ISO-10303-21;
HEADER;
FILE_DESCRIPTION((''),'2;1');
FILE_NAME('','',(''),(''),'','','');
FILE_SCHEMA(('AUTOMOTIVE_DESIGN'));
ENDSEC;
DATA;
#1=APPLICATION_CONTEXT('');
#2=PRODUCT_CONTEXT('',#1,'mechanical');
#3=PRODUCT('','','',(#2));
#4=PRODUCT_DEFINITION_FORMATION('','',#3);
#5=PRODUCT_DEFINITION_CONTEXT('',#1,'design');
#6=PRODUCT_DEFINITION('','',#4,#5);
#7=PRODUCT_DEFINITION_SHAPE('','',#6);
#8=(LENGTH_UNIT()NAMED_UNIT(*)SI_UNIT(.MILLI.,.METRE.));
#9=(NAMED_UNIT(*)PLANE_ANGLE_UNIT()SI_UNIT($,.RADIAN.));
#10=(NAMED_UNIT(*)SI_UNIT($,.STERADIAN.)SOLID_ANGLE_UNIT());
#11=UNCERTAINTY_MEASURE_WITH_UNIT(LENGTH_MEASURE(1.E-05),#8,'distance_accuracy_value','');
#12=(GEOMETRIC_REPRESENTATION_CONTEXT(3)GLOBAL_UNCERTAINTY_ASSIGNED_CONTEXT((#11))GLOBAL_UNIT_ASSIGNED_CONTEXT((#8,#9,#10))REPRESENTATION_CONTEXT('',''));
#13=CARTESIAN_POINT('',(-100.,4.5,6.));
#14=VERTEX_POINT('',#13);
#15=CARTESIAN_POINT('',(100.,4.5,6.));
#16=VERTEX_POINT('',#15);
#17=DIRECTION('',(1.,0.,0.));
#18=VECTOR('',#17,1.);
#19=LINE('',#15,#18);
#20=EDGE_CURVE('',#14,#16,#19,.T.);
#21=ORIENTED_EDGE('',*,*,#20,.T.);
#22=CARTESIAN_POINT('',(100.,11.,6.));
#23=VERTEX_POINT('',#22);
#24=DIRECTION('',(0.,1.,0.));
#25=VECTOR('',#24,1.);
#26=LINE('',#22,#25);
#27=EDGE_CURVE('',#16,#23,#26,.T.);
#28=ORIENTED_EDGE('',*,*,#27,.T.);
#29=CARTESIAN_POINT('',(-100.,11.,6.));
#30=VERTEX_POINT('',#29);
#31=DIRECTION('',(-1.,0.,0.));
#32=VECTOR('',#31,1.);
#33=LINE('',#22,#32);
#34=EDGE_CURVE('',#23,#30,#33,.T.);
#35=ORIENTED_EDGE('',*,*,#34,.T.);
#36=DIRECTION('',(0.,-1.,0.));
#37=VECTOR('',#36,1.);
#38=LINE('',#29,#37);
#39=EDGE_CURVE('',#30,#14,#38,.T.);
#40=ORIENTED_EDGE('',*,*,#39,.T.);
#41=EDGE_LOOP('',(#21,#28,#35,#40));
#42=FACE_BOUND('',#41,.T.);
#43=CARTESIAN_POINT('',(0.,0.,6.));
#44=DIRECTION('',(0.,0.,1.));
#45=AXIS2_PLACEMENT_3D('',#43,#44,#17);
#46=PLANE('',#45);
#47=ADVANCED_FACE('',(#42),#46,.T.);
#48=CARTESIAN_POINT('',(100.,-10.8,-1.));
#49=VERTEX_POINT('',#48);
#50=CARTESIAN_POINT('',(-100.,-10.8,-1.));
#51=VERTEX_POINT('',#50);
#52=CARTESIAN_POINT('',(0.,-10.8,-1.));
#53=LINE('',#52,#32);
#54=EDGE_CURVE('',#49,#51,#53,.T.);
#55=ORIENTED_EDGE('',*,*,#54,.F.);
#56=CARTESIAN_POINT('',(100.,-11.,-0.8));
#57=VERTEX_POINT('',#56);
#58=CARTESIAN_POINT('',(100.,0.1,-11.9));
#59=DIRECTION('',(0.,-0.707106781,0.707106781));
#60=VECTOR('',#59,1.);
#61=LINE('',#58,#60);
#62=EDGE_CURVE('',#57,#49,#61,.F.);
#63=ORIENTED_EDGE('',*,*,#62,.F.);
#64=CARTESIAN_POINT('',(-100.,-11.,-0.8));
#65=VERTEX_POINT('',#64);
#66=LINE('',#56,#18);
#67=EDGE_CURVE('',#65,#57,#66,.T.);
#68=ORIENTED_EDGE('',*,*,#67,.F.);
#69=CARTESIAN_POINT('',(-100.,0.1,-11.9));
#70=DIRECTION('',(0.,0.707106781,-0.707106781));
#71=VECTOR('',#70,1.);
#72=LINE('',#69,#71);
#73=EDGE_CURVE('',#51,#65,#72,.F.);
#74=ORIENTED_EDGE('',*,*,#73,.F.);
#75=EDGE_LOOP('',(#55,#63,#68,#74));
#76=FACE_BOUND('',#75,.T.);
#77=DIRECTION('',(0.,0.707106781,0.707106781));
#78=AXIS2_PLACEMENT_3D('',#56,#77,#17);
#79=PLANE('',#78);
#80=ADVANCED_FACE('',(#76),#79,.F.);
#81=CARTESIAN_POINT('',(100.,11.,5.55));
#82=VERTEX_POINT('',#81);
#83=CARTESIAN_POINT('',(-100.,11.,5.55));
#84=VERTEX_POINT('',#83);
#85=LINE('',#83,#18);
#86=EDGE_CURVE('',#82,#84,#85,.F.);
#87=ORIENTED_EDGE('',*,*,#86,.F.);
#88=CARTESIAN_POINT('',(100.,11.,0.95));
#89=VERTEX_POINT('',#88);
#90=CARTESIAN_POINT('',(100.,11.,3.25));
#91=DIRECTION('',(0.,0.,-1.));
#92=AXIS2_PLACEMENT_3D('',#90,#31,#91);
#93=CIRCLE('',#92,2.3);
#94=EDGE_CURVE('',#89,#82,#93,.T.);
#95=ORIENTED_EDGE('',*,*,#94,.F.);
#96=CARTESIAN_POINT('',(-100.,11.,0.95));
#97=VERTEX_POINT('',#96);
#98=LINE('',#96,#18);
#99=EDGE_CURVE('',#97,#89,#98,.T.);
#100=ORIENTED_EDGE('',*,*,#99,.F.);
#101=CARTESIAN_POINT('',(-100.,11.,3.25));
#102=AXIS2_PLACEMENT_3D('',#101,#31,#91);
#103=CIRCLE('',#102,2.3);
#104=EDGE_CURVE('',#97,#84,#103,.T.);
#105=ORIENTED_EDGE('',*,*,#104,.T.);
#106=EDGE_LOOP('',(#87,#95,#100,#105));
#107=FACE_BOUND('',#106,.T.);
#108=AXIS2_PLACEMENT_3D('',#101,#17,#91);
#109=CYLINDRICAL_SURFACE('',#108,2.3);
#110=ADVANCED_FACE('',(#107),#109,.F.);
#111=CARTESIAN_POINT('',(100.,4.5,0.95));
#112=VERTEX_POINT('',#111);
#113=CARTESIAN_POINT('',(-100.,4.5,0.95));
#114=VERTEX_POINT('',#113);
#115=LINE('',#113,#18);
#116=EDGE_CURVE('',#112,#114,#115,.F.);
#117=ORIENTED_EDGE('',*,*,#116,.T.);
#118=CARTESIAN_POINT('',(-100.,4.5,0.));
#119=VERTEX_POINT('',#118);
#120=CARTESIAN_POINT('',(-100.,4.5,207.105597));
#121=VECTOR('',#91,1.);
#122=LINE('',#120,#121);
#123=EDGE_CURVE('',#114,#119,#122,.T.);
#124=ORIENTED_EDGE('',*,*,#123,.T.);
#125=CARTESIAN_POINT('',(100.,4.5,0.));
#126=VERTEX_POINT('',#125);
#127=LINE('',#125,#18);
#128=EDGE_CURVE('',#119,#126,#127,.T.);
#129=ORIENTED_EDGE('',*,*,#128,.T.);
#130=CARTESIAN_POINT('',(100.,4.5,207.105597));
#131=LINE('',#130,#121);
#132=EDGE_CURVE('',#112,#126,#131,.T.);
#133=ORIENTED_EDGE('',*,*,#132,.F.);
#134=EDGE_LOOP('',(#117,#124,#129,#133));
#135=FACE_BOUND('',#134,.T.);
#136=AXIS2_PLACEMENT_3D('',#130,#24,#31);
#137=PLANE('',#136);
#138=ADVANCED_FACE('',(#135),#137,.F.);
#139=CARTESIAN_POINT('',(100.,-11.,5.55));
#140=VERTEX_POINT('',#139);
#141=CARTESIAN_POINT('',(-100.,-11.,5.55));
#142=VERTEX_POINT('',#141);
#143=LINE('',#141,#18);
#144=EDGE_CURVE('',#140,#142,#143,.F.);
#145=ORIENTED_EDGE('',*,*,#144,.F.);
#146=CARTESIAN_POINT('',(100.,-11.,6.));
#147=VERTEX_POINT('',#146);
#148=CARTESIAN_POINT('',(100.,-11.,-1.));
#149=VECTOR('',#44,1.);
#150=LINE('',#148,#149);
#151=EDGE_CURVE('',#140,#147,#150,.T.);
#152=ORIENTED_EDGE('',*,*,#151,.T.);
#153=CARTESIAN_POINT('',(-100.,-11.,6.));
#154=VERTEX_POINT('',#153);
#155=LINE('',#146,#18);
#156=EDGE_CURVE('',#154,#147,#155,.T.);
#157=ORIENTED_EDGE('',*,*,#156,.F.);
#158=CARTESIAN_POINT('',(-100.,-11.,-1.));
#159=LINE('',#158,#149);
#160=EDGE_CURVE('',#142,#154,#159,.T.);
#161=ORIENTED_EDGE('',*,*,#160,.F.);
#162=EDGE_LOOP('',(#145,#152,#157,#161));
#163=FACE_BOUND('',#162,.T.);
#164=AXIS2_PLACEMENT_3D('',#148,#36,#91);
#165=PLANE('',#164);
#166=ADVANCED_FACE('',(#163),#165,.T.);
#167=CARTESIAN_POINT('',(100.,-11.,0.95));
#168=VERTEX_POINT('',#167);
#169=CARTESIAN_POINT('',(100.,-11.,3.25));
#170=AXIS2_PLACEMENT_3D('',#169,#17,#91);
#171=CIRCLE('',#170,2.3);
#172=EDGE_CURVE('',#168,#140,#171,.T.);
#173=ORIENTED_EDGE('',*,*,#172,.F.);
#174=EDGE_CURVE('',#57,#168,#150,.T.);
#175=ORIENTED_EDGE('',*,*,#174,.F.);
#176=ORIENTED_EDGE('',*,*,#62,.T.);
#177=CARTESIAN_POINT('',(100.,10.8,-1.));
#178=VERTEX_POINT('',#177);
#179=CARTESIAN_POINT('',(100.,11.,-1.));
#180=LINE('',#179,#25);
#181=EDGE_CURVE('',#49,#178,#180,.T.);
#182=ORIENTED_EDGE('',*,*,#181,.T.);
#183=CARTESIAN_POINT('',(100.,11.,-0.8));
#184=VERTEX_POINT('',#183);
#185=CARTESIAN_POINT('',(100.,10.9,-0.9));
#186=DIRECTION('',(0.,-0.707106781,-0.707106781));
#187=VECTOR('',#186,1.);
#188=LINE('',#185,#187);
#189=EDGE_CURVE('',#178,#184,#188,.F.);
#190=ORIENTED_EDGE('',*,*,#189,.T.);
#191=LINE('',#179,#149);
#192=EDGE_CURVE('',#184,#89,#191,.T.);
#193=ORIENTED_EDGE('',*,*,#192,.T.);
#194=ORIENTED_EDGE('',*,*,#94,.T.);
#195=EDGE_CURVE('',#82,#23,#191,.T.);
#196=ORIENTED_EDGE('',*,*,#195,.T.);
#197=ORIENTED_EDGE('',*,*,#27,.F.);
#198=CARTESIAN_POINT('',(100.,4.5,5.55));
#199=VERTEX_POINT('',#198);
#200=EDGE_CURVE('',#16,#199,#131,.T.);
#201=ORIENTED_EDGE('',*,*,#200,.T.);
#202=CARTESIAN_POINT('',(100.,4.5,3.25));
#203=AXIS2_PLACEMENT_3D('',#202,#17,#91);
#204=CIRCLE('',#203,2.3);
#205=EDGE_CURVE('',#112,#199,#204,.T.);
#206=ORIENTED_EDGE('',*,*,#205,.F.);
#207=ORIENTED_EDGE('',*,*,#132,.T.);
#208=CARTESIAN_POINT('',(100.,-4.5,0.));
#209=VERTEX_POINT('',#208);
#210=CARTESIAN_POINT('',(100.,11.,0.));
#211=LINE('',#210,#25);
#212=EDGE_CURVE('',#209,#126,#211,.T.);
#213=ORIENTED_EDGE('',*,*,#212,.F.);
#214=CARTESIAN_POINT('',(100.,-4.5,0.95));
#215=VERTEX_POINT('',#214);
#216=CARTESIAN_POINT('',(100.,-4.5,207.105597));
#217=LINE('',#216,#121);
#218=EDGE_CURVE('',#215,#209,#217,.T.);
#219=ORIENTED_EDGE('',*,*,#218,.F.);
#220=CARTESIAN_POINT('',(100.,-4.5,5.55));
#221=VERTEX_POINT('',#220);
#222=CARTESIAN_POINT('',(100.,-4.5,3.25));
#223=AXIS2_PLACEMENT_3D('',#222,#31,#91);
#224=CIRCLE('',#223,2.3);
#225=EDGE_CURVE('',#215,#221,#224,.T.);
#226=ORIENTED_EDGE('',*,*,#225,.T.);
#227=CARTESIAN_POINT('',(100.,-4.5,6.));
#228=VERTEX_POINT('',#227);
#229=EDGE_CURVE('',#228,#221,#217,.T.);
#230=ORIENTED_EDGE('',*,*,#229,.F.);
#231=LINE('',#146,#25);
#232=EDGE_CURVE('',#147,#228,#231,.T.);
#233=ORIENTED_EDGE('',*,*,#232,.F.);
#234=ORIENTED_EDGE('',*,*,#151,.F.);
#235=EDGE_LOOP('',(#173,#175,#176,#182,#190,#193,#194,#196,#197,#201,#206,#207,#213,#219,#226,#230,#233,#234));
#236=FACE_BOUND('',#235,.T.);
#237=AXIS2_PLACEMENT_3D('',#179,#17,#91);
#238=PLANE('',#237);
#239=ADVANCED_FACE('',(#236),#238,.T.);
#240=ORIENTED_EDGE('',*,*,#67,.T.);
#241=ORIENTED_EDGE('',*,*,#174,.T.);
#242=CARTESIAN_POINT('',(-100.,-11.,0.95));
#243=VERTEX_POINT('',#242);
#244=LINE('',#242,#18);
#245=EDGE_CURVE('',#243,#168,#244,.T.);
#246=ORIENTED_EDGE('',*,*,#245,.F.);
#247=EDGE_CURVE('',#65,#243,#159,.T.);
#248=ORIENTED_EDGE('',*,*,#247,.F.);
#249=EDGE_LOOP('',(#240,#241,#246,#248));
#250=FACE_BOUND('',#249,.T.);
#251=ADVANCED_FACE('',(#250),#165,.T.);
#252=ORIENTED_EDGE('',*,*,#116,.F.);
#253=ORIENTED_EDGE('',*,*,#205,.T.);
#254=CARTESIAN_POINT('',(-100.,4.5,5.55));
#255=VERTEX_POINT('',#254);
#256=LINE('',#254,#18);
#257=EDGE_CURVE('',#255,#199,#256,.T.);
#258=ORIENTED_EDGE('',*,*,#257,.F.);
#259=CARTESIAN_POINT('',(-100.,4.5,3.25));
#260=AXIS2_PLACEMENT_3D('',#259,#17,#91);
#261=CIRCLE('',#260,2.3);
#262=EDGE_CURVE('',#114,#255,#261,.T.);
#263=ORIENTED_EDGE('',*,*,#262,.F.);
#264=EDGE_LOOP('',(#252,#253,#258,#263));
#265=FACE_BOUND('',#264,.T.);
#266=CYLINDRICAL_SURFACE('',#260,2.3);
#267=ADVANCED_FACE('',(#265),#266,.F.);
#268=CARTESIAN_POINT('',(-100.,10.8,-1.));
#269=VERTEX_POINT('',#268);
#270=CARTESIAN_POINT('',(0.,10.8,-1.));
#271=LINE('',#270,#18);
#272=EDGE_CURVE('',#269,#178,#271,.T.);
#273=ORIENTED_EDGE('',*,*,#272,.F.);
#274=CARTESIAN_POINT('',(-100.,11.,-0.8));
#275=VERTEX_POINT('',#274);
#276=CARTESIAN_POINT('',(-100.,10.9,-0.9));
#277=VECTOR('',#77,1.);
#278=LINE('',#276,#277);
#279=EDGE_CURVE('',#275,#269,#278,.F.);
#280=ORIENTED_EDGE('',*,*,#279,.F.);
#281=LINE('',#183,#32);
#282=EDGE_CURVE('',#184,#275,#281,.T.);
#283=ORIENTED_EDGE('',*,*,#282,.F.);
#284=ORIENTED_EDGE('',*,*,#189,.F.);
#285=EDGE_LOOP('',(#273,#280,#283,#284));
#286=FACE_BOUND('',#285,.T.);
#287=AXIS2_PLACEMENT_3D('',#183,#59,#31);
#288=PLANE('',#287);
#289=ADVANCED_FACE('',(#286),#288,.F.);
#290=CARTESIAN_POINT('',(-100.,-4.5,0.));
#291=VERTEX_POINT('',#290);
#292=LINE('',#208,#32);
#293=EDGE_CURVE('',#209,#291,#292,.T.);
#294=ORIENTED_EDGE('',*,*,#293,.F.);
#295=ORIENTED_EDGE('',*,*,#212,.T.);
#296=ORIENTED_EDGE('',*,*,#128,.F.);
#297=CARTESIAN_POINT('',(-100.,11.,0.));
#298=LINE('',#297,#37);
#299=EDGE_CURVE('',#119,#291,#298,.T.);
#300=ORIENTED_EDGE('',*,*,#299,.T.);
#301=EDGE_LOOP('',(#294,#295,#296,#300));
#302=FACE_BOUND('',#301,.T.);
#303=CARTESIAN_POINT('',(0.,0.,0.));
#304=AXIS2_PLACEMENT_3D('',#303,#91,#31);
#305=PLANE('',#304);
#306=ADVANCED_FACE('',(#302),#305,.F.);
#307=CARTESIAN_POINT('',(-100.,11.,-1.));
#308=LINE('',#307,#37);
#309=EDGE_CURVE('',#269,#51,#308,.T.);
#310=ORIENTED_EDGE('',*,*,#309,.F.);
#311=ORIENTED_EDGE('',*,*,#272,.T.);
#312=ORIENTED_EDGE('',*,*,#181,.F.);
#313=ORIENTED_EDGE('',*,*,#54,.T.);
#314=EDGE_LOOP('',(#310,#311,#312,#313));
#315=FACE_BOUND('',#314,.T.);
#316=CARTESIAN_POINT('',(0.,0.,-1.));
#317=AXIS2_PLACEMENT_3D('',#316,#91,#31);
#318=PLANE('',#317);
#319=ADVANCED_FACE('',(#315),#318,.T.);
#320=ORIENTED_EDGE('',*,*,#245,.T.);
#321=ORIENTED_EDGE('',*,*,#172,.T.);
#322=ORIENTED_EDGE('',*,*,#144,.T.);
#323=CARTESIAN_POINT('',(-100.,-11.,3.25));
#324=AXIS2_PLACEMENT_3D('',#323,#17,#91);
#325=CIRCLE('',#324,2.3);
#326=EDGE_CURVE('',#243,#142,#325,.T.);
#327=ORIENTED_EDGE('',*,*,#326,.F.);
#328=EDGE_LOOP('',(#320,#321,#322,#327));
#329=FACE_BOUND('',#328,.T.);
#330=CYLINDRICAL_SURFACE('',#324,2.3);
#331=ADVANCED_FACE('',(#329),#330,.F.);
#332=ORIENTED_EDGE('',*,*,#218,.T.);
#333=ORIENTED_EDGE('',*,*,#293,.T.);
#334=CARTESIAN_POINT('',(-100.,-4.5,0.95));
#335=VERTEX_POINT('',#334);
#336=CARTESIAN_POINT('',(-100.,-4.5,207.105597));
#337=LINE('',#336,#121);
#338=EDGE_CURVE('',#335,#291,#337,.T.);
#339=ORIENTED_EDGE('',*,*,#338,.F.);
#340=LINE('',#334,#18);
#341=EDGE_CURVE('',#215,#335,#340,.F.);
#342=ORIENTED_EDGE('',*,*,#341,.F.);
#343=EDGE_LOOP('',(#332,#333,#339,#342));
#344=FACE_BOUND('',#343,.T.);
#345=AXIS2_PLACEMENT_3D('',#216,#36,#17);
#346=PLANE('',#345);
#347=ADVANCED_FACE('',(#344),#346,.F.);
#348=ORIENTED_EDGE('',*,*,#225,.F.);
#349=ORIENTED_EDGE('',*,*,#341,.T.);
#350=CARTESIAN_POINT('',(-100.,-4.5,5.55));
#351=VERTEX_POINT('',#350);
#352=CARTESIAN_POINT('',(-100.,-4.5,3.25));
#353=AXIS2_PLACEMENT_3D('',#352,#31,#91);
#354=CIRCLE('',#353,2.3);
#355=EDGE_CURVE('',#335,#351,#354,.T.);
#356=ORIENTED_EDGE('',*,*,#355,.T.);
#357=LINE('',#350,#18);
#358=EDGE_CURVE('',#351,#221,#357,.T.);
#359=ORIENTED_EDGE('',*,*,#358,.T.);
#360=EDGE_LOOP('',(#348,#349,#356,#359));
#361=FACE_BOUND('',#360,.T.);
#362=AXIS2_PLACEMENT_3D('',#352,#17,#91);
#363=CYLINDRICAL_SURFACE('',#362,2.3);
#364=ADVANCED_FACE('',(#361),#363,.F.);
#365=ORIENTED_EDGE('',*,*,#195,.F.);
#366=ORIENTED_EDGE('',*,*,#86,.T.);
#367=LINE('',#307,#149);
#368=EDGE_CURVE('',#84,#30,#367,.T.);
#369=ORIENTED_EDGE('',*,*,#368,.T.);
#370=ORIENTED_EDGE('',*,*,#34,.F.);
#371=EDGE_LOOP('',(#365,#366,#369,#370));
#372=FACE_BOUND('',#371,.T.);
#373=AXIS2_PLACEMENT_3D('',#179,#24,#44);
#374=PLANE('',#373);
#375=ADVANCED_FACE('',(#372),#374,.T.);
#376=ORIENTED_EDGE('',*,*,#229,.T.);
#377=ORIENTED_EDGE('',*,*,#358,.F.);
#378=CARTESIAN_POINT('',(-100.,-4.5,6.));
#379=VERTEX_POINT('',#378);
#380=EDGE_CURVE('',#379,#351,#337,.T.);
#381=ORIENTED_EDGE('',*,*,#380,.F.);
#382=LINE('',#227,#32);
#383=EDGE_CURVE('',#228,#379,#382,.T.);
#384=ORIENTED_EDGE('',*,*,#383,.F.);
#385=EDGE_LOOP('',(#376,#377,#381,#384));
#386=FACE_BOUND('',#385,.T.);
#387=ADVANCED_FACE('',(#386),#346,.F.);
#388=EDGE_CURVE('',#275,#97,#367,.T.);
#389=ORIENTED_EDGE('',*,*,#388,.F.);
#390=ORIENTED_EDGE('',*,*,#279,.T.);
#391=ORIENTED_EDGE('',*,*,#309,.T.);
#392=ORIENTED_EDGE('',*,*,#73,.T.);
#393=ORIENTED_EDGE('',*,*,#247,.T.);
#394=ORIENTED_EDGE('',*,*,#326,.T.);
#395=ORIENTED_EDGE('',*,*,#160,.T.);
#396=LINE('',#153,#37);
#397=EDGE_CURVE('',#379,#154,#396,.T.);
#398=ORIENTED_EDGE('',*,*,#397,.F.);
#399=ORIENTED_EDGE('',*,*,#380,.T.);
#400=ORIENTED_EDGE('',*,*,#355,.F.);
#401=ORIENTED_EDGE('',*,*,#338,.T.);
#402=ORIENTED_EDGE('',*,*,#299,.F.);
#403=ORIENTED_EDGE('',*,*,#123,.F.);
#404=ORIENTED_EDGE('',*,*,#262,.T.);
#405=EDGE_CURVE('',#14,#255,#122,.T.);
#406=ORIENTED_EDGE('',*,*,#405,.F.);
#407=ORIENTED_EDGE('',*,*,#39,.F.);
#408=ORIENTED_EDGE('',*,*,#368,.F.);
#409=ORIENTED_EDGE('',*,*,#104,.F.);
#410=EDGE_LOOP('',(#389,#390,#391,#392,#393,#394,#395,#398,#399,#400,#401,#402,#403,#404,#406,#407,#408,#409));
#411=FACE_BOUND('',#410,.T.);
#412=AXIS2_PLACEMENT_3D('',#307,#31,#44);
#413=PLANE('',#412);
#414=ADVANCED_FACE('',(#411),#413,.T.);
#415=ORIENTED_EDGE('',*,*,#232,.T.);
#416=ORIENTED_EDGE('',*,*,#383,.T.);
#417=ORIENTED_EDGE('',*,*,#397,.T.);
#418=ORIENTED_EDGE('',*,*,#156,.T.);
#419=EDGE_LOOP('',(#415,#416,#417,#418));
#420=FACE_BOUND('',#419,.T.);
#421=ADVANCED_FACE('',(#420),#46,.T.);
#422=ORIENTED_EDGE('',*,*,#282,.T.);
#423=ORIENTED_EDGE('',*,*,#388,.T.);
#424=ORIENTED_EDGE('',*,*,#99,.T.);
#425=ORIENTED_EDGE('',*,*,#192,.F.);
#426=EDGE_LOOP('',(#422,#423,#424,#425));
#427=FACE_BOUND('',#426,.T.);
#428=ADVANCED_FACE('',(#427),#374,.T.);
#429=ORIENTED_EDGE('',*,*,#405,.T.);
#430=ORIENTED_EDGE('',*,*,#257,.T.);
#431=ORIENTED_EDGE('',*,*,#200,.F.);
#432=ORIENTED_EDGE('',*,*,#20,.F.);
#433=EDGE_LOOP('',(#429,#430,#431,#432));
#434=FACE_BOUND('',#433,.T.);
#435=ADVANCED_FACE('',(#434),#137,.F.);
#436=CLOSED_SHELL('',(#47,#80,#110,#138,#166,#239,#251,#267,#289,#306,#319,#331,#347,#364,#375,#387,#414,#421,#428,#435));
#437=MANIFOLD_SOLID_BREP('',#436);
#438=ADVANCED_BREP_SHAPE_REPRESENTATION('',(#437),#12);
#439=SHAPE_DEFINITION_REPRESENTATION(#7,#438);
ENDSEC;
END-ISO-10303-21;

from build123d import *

# Parameters (mm, degrees)
SKETCH1_W              = 200
SKETCH1_H              = 22
BOSS_EXTRUDE1_DEPTH    = 1
SKETCH2_W              = 200
SKETCH2_H              = 6.5
BOSS_EXTRUDE2_DEPTH    = 6
SKETCH5_R              = 2.3
SLOT_1_DEPTH           = 101.781942827
SLOT_2_COPY_1_SKETCH_R = 2.3
SLOT_2_COPY_1_DEPTH    = 101.781942827
DEBURS_SIZE            = 0.2


with BuildPart() as part:
    # Sketch1 → Boss-Extrude1 (new body)
    with BuildSketch(Plane.XY):
        Rectangle(SKETCH1_W, SKETCH1_H)
    extrude(amount=-BOSS_EXTRUDE1_DEPTH)

    # Sketch2 → Boss-Extrude2 (add)
    with BuildSketch(Plane.XY):
        with Locations((0, 7.75)):
            Rectangle(SKETCH2_W, SKETCH2_H)
        with Locations((0, -7.75)):
            Rectangle(SKETCH2_W, SKETCH2_H)
    extrude(amount=BOSS_EXTRUDE2_DEPTH)

    # Sketch5 → Slot 1 (cut, symmetric)
    with BuildSketch(Plane(origin=(0, 0, 0), x_dir=(0, 0, -1), z_dir=(1, 0, 0))):
        with Locations((-3.25, 4.5)):
            Circle(SKETCH5_R)
    slot_1 = extrude(amount=SLOT_1_DEPTH, both=True, mode=Mode.SUBTRACT)

    # Slot 1x2: Slot 1 across plane
    add(slot_1.mirror(Plane(origin=(0, 7.75, 0), x_dir=(0, 0, 1), z_dir=(0, -1, 0))), mode=Mode.SUBTRACT)

    # Slot 2: Slot 1 across plane
    add(slot_1.mirror(Plane.ZX), mode=Mode.SUBTRACT)

    # Slot 2 copy 1 sketch → Slot 2 copy 1 (cut, symmetric)
    with BuildSketch(Plane(origin=(0, -15.5, 0), x_dir=(0, 0, -1), z_dir=(1, 0, 0))):
        with Locations((-3.25, 4.5)):
            Circle(SLOT_2_COPY_1_SKETCH_R)
    extrude(amount=SLOT_2_COPY_1_DEPTH, both=True, mode=Mode.SUBTRACT)

    # Deburs
    deburs_edges = [part.edges().sort_by_distance(p)[0] for p in [
        (0, 11, -1),
        (0, -11, -1),
    ]]
    chamfer(deburs_edges, length=DEBURS_SIZE)


solid = part.part
